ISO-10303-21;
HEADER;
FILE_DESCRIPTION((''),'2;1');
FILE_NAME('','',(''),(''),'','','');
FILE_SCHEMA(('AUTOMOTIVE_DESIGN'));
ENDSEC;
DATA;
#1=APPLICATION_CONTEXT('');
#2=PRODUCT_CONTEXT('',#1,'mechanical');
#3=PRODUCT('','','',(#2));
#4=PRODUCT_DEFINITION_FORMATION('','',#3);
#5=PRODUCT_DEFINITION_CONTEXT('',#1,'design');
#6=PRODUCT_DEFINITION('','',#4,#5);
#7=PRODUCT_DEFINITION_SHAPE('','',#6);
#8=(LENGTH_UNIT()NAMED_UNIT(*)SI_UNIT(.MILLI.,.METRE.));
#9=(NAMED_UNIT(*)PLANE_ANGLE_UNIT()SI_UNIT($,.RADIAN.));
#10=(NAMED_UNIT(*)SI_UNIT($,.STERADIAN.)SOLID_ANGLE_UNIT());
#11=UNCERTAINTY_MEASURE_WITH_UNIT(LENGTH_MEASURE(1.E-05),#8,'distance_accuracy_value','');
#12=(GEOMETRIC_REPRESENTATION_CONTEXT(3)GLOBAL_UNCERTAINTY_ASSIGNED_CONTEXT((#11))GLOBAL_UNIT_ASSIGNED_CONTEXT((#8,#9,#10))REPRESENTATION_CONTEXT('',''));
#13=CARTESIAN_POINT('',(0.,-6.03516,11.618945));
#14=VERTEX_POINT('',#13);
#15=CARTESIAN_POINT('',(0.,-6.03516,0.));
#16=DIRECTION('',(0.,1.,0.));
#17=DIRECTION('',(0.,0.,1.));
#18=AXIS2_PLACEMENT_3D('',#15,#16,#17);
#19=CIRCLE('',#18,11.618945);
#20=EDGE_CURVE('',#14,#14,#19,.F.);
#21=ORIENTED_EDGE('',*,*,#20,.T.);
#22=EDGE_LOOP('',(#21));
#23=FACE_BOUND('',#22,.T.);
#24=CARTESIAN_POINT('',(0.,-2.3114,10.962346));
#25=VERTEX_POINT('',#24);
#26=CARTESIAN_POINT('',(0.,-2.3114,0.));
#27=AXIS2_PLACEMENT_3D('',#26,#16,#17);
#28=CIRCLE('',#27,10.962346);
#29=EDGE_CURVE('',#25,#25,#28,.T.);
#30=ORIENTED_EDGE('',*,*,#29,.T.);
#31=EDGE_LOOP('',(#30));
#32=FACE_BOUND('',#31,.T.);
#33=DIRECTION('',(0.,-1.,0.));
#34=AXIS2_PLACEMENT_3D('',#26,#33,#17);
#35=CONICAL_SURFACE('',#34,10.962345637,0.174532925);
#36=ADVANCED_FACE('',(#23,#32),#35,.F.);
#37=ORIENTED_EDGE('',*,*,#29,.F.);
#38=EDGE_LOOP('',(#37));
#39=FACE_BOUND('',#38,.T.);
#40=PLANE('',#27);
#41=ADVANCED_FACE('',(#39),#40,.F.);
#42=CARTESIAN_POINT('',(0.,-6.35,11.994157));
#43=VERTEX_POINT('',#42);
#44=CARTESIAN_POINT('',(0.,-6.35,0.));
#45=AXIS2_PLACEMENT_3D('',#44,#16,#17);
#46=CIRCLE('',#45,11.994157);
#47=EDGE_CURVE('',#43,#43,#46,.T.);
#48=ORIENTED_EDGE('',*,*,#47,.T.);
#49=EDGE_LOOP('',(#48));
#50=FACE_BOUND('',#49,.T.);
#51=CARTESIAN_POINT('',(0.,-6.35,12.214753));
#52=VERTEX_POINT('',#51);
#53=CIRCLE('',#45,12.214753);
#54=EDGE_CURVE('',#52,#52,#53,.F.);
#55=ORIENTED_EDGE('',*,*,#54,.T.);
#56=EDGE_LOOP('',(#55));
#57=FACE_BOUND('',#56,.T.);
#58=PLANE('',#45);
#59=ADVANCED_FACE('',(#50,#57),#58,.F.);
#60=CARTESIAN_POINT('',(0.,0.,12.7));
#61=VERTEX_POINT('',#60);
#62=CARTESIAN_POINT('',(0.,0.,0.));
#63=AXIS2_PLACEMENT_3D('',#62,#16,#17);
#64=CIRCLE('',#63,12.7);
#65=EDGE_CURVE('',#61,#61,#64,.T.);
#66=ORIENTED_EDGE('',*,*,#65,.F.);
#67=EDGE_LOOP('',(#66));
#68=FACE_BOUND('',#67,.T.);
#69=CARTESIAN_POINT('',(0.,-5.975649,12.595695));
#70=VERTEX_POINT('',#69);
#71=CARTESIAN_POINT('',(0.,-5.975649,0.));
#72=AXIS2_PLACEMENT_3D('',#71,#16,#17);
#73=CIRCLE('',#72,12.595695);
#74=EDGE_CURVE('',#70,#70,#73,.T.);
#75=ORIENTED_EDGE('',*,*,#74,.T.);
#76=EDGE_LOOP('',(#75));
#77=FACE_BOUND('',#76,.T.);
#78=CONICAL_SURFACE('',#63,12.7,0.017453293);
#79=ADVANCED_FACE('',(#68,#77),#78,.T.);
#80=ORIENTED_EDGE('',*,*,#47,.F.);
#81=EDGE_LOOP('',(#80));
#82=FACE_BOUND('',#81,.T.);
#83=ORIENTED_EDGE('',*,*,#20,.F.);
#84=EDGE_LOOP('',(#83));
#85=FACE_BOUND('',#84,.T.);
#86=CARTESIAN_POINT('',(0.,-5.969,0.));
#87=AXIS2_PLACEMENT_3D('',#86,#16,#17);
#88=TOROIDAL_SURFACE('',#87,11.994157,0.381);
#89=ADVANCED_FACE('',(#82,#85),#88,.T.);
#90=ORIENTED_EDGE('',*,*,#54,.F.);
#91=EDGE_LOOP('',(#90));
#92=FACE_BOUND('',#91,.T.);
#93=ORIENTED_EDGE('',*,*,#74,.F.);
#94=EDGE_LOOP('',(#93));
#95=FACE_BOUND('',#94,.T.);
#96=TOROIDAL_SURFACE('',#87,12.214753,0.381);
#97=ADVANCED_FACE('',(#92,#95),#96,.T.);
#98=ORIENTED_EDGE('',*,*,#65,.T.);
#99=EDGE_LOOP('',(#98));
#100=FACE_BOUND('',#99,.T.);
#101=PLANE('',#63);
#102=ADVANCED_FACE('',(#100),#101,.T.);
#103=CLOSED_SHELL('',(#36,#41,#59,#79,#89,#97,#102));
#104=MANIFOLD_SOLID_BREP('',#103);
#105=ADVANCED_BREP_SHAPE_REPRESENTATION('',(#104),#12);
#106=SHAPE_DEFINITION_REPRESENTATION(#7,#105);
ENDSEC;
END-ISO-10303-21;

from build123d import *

# Parameters (mm, degrees)
SKETCH1_R           = 12.7
BOSS_EXTRUDE1_DEPTH = 2.3114
BOSS_EXTRUDE1_DRAFT = -1
SKETCH7_R           = 12.7
SKETCH7_R_2         = 10.922
BOSS_EXTRUDE3_DEPTH = 6.35
BOSS_EXTRUDE3_DRAFT = -1
DRAFT1_ANGLE        = 10
FILLET2_R           = 0.381


with BuildPart() as part:
    # Sketch1 → Boss-Extrude1 (with draft: the straight prism first)
    with BuildSketch(Plane(origin=(0, 0, 0), x_dir=(1, 0, 0), z_dir=(0, 1, 0))):
        Circle(SKETCH1_R)
    extrude(amount=-BOSS_EXTRUDE1_DEPTH)
    # Boss-Extrude1: the draft: its side faces are tilted about the plane it starts from
    boss_extrude1_sides = [part.faces().sort_by_distance(p)[0] for p in [
        (-12.7, -1.1557, 0),
    ]]
    draft(boss_extrude1_sides, Plane(origin=(0, 0, 0), x_dir=(1, 0, 0), z_dir=(0, 1, 0)), BOSS_EXTRUDE1_DRAFT)


with BuildPart() as boss_extrude3_tool:
    # Sketch7 → Boss-Extrude3 (with draft: the straight prism first)
    with BuildSketch(Plane(origin=(0, 0, 0), x_dir=(1, 0, 0), z_dir=(0, 1, 0))):
        Circle(SKETCH7_R)
        Circle(SKETCH7_R_2, mode=Mode.SUBTRACT)
    extrude(amount=-BOSS_EXTRUDE3_DEPTH)
    # Boss-Extrude3: the draft: its side faces are tilted about the plane it starts from
    boss_extrude3_sides = [boss_extrude3_tool.faces().sort_by_distance(p)[0] for p in [
        (-12.7, -3.175, 0),
        (-10.922, -3.175, 0),
    ]]
    draft(boss_extrude3_sides, Plane(origin=(0, 0, 0), x_dir=(1, 0, 0), z_dir=(0, 1, 0)), BOSS_EXTRUDE3_DRAFT)


with BuildPart() as part_1:
    add(part.part)

    # Boss-Extrude3: add boss_extrude3_tool
    add(boss_extrude3_tool.part)

    # Draft1
    draft1_faces = [part_1.faces().sort_by_distance(p)[0] for p in [
        (-10.99759265, -4.3307, 0),
    ]]
    draft(draft1_faces, Plane(origin=(0, -2.3114, 0), x_dir=(0, 0, -1), z_dir=(0, -1, 0)), DRAFT1_ANGLE)

    # Fillet2
    fillet2_edges = [part_1.edges().sort_by_distance(p)[0] for p in [
        (-12.589160338, -6.35, 0),
        (-11.674459781, -6.35, 0),
    ]]
    fillet(fillet2_edges, radius=FILLET2_R)


solid = part_1.part
